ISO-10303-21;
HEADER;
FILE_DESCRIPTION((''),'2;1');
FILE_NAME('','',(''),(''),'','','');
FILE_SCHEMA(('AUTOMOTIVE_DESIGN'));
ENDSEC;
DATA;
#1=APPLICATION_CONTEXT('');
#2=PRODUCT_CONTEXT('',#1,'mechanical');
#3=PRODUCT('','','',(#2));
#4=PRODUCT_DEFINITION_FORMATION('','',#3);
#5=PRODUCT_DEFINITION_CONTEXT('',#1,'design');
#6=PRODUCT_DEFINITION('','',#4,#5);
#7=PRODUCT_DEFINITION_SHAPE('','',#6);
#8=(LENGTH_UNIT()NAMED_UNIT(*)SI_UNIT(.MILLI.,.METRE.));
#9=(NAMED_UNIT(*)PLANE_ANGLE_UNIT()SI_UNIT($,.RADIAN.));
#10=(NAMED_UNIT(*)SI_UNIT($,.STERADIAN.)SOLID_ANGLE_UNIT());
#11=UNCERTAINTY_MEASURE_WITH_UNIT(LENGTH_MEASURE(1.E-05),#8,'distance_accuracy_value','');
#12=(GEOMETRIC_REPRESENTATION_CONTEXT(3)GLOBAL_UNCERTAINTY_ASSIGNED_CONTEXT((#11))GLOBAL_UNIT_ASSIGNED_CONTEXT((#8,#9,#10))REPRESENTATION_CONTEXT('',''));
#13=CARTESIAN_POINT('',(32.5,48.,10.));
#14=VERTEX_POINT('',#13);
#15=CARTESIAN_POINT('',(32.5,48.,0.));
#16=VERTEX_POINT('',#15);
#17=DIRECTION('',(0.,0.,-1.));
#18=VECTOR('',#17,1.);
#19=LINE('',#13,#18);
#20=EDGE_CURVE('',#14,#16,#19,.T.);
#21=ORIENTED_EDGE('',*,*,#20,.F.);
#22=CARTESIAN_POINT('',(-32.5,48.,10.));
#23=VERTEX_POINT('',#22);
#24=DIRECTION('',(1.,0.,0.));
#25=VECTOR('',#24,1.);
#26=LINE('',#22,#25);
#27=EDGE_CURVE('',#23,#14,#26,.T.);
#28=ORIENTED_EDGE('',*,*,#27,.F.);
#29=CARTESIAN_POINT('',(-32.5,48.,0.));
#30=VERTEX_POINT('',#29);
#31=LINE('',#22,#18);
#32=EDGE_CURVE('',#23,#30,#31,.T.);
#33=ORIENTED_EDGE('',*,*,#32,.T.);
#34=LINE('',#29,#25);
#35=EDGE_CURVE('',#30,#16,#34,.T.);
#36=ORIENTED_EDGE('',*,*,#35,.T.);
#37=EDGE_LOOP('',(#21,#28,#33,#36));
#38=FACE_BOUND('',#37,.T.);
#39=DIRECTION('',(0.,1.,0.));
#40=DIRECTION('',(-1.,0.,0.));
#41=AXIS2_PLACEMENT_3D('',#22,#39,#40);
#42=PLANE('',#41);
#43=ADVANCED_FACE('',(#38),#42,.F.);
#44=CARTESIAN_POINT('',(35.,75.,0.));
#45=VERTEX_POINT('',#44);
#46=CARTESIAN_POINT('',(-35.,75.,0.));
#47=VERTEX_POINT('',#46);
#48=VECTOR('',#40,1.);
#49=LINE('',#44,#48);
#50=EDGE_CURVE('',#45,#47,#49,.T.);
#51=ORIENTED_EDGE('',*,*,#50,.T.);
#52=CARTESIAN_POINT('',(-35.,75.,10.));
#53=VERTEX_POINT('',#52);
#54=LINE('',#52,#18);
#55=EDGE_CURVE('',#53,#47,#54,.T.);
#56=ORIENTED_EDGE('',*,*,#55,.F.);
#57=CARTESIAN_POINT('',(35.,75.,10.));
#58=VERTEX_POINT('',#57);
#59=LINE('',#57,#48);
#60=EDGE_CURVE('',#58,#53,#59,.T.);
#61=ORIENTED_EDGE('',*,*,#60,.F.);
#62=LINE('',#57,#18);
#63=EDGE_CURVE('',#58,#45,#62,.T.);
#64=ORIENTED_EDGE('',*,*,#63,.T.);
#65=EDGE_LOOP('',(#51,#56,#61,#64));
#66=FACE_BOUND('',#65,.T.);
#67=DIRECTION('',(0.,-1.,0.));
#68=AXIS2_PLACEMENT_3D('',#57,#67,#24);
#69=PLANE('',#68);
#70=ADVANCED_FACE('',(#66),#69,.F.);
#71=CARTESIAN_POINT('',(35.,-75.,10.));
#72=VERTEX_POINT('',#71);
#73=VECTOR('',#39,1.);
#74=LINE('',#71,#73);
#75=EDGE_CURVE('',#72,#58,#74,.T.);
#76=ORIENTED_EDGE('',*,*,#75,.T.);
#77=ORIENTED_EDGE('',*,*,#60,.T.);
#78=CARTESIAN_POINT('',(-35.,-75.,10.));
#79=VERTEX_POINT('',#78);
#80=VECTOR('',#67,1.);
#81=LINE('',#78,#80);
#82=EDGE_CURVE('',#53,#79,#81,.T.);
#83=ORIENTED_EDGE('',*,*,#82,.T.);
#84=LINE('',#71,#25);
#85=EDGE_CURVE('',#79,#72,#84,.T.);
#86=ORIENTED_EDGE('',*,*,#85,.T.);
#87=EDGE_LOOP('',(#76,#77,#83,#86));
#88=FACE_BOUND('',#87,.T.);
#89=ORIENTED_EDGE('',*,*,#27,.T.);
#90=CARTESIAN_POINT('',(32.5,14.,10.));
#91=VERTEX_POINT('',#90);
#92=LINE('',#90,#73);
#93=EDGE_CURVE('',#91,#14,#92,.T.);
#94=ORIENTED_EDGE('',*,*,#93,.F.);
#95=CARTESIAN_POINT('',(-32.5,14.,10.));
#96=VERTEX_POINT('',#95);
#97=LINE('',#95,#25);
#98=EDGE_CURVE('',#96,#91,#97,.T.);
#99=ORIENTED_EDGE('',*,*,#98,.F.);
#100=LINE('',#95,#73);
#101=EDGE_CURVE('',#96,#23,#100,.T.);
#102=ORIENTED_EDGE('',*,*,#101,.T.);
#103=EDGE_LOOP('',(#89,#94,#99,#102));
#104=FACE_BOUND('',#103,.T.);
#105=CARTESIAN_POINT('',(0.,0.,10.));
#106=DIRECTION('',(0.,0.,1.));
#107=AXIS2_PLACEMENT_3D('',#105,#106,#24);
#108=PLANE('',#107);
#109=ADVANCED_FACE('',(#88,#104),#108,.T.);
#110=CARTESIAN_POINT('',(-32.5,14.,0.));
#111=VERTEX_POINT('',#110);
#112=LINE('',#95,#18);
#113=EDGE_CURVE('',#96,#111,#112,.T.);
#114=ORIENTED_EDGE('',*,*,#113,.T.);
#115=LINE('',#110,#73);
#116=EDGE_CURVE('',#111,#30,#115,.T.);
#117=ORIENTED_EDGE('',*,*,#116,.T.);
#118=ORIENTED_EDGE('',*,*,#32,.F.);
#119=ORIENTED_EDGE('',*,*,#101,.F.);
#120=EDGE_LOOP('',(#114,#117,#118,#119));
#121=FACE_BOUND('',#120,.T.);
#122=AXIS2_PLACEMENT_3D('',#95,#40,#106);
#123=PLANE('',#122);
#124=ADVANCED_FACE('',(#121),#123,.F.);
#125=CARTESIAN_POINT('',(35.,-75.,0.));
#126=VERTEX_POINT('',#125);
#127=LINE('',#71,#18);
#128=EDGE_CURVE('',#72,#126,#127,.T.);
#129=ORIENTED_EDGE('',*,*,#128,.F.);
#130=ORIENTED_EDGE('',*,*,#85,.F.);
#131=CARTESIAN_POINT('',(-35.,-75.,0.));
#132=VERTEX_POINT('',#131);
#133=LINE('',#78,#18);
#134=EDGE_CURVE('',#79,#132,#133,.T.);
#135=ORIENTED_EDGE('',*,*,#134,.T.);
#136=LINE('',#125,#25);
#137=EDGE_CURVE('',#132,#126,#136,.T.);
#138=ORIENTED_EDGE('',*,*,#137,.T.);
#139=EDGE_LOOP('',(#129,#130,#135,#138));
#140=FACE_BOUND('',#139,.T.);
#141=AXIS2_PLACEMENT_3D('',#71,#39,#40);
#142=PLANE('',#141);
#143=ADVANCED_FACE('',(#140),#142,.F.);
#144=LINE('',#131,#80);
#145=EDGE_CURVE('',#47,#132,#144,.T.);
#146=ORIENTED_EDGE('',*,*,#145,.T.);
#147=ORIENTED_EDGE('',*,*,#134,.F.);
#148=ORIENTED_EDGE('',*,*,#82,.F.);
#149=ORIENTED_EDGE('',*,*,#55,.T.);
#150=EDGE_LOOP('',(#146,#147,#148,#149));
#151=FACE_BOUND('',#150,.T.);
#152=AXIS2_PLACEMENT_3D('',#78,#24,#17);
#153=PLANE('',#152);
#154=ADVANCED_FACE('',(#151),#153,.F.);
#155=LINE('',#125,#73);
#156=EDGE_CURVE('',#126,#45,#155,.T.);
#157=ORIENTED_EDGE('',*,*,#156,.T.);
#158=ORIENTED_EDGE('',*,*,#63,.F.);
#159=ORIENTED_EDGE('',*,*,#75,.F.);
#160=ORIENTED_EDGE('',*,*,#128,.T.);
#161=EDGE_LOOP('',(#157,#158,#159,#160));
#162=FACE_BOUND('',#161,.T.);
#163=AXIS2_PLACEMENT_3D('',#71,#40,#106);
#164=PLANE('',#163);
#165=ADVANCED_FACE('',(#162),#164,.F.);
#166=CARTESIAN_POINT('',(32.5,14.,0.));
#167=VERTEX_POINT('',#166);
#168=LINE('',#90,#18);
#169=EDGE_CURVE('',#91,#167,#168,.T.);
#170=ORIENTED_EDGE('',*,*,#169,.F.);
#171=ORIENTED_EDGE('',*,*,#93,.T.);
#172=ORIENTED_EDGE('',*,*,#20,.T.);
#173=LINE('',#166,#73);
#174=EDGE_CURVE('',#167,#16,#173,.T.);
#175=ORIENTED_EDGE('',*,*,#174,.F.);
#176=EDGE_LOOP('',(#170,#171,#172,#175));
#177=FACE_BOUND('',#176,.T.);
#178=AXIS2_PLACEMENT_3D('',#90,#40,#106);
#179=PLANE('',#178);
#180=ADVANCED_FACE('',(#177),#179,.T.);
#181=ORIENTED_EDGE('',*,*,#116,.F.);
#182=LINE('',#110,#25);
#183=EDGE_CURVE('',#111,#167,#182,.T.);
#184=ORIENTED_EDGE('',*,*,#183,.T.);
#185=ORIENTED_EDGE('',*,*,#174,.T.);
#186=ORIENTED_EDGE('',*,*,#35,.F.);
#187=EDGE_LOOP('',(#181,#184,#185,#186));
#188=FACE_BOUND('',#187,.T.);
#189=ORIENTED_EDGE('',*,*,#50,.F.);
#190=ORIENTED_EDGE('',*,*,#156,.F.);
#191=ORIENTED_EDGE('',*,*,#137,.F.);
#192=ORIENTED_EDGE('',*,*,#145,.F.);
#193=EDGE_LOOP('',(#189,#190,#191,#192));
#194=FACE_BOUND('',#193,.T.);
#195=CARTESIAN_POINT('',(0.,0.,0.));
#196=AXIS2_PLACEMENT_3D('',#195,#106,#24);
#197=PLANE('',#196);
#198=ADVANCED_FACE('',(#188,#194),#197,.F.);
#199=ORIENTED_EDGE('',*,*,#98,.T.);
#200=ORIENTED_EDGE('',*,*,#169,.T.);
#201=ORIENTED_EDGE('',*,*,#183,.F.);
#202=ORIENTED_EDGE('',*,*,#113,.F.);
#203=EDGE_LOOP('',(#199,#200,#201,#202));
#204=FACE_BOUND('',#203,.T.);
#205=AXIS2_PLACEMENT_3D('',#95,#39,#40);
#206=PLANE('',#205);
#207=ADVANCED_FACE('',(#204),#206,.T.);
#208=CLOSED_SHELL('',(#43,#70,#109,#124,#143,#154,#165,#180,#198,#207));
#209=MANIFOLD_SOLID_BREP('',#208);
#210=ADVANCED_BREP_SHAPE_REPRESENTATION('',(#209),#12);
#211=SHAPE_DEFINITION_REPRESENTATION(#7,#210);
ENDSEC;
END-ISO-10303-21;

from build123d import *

# Parameters (mm, degrees)
SKETCH1_W           = 70
SKETCH1_H           = 150
BOSS_EXTRUDE1_DEPTH = 10
SKETCH3_W           = 65
SKETCH3_H           = 34
CUT_EXTRUDE1_DEPTH  = 84.366660003


with BuildPart() as part:
    # Sketch1 → Boss-Extrude1 (new body)
    with BuildSketch(Plane.XY):
        Rectangle(SKETCH1_W, SKETCH1_H)
    extrude(amount=BOSS_EXTRUDE1_DEPTH)

    # Sketch3 → Cut-Extrude1 (cut, through all)
    with BuildSketch(Plane(origin=(0, 0, 0), x_dir=(-1, 0, 0), z_dir=(0, 0, -1))):
        with Locations((0, 31)):
            Rectangle(SKETCH3_W, SKETCH3_H)
    extrude(amount=-CUT_EXTRUDE1_DEPTH, mode=Mode.SUBTRACT)


solid = part.part
